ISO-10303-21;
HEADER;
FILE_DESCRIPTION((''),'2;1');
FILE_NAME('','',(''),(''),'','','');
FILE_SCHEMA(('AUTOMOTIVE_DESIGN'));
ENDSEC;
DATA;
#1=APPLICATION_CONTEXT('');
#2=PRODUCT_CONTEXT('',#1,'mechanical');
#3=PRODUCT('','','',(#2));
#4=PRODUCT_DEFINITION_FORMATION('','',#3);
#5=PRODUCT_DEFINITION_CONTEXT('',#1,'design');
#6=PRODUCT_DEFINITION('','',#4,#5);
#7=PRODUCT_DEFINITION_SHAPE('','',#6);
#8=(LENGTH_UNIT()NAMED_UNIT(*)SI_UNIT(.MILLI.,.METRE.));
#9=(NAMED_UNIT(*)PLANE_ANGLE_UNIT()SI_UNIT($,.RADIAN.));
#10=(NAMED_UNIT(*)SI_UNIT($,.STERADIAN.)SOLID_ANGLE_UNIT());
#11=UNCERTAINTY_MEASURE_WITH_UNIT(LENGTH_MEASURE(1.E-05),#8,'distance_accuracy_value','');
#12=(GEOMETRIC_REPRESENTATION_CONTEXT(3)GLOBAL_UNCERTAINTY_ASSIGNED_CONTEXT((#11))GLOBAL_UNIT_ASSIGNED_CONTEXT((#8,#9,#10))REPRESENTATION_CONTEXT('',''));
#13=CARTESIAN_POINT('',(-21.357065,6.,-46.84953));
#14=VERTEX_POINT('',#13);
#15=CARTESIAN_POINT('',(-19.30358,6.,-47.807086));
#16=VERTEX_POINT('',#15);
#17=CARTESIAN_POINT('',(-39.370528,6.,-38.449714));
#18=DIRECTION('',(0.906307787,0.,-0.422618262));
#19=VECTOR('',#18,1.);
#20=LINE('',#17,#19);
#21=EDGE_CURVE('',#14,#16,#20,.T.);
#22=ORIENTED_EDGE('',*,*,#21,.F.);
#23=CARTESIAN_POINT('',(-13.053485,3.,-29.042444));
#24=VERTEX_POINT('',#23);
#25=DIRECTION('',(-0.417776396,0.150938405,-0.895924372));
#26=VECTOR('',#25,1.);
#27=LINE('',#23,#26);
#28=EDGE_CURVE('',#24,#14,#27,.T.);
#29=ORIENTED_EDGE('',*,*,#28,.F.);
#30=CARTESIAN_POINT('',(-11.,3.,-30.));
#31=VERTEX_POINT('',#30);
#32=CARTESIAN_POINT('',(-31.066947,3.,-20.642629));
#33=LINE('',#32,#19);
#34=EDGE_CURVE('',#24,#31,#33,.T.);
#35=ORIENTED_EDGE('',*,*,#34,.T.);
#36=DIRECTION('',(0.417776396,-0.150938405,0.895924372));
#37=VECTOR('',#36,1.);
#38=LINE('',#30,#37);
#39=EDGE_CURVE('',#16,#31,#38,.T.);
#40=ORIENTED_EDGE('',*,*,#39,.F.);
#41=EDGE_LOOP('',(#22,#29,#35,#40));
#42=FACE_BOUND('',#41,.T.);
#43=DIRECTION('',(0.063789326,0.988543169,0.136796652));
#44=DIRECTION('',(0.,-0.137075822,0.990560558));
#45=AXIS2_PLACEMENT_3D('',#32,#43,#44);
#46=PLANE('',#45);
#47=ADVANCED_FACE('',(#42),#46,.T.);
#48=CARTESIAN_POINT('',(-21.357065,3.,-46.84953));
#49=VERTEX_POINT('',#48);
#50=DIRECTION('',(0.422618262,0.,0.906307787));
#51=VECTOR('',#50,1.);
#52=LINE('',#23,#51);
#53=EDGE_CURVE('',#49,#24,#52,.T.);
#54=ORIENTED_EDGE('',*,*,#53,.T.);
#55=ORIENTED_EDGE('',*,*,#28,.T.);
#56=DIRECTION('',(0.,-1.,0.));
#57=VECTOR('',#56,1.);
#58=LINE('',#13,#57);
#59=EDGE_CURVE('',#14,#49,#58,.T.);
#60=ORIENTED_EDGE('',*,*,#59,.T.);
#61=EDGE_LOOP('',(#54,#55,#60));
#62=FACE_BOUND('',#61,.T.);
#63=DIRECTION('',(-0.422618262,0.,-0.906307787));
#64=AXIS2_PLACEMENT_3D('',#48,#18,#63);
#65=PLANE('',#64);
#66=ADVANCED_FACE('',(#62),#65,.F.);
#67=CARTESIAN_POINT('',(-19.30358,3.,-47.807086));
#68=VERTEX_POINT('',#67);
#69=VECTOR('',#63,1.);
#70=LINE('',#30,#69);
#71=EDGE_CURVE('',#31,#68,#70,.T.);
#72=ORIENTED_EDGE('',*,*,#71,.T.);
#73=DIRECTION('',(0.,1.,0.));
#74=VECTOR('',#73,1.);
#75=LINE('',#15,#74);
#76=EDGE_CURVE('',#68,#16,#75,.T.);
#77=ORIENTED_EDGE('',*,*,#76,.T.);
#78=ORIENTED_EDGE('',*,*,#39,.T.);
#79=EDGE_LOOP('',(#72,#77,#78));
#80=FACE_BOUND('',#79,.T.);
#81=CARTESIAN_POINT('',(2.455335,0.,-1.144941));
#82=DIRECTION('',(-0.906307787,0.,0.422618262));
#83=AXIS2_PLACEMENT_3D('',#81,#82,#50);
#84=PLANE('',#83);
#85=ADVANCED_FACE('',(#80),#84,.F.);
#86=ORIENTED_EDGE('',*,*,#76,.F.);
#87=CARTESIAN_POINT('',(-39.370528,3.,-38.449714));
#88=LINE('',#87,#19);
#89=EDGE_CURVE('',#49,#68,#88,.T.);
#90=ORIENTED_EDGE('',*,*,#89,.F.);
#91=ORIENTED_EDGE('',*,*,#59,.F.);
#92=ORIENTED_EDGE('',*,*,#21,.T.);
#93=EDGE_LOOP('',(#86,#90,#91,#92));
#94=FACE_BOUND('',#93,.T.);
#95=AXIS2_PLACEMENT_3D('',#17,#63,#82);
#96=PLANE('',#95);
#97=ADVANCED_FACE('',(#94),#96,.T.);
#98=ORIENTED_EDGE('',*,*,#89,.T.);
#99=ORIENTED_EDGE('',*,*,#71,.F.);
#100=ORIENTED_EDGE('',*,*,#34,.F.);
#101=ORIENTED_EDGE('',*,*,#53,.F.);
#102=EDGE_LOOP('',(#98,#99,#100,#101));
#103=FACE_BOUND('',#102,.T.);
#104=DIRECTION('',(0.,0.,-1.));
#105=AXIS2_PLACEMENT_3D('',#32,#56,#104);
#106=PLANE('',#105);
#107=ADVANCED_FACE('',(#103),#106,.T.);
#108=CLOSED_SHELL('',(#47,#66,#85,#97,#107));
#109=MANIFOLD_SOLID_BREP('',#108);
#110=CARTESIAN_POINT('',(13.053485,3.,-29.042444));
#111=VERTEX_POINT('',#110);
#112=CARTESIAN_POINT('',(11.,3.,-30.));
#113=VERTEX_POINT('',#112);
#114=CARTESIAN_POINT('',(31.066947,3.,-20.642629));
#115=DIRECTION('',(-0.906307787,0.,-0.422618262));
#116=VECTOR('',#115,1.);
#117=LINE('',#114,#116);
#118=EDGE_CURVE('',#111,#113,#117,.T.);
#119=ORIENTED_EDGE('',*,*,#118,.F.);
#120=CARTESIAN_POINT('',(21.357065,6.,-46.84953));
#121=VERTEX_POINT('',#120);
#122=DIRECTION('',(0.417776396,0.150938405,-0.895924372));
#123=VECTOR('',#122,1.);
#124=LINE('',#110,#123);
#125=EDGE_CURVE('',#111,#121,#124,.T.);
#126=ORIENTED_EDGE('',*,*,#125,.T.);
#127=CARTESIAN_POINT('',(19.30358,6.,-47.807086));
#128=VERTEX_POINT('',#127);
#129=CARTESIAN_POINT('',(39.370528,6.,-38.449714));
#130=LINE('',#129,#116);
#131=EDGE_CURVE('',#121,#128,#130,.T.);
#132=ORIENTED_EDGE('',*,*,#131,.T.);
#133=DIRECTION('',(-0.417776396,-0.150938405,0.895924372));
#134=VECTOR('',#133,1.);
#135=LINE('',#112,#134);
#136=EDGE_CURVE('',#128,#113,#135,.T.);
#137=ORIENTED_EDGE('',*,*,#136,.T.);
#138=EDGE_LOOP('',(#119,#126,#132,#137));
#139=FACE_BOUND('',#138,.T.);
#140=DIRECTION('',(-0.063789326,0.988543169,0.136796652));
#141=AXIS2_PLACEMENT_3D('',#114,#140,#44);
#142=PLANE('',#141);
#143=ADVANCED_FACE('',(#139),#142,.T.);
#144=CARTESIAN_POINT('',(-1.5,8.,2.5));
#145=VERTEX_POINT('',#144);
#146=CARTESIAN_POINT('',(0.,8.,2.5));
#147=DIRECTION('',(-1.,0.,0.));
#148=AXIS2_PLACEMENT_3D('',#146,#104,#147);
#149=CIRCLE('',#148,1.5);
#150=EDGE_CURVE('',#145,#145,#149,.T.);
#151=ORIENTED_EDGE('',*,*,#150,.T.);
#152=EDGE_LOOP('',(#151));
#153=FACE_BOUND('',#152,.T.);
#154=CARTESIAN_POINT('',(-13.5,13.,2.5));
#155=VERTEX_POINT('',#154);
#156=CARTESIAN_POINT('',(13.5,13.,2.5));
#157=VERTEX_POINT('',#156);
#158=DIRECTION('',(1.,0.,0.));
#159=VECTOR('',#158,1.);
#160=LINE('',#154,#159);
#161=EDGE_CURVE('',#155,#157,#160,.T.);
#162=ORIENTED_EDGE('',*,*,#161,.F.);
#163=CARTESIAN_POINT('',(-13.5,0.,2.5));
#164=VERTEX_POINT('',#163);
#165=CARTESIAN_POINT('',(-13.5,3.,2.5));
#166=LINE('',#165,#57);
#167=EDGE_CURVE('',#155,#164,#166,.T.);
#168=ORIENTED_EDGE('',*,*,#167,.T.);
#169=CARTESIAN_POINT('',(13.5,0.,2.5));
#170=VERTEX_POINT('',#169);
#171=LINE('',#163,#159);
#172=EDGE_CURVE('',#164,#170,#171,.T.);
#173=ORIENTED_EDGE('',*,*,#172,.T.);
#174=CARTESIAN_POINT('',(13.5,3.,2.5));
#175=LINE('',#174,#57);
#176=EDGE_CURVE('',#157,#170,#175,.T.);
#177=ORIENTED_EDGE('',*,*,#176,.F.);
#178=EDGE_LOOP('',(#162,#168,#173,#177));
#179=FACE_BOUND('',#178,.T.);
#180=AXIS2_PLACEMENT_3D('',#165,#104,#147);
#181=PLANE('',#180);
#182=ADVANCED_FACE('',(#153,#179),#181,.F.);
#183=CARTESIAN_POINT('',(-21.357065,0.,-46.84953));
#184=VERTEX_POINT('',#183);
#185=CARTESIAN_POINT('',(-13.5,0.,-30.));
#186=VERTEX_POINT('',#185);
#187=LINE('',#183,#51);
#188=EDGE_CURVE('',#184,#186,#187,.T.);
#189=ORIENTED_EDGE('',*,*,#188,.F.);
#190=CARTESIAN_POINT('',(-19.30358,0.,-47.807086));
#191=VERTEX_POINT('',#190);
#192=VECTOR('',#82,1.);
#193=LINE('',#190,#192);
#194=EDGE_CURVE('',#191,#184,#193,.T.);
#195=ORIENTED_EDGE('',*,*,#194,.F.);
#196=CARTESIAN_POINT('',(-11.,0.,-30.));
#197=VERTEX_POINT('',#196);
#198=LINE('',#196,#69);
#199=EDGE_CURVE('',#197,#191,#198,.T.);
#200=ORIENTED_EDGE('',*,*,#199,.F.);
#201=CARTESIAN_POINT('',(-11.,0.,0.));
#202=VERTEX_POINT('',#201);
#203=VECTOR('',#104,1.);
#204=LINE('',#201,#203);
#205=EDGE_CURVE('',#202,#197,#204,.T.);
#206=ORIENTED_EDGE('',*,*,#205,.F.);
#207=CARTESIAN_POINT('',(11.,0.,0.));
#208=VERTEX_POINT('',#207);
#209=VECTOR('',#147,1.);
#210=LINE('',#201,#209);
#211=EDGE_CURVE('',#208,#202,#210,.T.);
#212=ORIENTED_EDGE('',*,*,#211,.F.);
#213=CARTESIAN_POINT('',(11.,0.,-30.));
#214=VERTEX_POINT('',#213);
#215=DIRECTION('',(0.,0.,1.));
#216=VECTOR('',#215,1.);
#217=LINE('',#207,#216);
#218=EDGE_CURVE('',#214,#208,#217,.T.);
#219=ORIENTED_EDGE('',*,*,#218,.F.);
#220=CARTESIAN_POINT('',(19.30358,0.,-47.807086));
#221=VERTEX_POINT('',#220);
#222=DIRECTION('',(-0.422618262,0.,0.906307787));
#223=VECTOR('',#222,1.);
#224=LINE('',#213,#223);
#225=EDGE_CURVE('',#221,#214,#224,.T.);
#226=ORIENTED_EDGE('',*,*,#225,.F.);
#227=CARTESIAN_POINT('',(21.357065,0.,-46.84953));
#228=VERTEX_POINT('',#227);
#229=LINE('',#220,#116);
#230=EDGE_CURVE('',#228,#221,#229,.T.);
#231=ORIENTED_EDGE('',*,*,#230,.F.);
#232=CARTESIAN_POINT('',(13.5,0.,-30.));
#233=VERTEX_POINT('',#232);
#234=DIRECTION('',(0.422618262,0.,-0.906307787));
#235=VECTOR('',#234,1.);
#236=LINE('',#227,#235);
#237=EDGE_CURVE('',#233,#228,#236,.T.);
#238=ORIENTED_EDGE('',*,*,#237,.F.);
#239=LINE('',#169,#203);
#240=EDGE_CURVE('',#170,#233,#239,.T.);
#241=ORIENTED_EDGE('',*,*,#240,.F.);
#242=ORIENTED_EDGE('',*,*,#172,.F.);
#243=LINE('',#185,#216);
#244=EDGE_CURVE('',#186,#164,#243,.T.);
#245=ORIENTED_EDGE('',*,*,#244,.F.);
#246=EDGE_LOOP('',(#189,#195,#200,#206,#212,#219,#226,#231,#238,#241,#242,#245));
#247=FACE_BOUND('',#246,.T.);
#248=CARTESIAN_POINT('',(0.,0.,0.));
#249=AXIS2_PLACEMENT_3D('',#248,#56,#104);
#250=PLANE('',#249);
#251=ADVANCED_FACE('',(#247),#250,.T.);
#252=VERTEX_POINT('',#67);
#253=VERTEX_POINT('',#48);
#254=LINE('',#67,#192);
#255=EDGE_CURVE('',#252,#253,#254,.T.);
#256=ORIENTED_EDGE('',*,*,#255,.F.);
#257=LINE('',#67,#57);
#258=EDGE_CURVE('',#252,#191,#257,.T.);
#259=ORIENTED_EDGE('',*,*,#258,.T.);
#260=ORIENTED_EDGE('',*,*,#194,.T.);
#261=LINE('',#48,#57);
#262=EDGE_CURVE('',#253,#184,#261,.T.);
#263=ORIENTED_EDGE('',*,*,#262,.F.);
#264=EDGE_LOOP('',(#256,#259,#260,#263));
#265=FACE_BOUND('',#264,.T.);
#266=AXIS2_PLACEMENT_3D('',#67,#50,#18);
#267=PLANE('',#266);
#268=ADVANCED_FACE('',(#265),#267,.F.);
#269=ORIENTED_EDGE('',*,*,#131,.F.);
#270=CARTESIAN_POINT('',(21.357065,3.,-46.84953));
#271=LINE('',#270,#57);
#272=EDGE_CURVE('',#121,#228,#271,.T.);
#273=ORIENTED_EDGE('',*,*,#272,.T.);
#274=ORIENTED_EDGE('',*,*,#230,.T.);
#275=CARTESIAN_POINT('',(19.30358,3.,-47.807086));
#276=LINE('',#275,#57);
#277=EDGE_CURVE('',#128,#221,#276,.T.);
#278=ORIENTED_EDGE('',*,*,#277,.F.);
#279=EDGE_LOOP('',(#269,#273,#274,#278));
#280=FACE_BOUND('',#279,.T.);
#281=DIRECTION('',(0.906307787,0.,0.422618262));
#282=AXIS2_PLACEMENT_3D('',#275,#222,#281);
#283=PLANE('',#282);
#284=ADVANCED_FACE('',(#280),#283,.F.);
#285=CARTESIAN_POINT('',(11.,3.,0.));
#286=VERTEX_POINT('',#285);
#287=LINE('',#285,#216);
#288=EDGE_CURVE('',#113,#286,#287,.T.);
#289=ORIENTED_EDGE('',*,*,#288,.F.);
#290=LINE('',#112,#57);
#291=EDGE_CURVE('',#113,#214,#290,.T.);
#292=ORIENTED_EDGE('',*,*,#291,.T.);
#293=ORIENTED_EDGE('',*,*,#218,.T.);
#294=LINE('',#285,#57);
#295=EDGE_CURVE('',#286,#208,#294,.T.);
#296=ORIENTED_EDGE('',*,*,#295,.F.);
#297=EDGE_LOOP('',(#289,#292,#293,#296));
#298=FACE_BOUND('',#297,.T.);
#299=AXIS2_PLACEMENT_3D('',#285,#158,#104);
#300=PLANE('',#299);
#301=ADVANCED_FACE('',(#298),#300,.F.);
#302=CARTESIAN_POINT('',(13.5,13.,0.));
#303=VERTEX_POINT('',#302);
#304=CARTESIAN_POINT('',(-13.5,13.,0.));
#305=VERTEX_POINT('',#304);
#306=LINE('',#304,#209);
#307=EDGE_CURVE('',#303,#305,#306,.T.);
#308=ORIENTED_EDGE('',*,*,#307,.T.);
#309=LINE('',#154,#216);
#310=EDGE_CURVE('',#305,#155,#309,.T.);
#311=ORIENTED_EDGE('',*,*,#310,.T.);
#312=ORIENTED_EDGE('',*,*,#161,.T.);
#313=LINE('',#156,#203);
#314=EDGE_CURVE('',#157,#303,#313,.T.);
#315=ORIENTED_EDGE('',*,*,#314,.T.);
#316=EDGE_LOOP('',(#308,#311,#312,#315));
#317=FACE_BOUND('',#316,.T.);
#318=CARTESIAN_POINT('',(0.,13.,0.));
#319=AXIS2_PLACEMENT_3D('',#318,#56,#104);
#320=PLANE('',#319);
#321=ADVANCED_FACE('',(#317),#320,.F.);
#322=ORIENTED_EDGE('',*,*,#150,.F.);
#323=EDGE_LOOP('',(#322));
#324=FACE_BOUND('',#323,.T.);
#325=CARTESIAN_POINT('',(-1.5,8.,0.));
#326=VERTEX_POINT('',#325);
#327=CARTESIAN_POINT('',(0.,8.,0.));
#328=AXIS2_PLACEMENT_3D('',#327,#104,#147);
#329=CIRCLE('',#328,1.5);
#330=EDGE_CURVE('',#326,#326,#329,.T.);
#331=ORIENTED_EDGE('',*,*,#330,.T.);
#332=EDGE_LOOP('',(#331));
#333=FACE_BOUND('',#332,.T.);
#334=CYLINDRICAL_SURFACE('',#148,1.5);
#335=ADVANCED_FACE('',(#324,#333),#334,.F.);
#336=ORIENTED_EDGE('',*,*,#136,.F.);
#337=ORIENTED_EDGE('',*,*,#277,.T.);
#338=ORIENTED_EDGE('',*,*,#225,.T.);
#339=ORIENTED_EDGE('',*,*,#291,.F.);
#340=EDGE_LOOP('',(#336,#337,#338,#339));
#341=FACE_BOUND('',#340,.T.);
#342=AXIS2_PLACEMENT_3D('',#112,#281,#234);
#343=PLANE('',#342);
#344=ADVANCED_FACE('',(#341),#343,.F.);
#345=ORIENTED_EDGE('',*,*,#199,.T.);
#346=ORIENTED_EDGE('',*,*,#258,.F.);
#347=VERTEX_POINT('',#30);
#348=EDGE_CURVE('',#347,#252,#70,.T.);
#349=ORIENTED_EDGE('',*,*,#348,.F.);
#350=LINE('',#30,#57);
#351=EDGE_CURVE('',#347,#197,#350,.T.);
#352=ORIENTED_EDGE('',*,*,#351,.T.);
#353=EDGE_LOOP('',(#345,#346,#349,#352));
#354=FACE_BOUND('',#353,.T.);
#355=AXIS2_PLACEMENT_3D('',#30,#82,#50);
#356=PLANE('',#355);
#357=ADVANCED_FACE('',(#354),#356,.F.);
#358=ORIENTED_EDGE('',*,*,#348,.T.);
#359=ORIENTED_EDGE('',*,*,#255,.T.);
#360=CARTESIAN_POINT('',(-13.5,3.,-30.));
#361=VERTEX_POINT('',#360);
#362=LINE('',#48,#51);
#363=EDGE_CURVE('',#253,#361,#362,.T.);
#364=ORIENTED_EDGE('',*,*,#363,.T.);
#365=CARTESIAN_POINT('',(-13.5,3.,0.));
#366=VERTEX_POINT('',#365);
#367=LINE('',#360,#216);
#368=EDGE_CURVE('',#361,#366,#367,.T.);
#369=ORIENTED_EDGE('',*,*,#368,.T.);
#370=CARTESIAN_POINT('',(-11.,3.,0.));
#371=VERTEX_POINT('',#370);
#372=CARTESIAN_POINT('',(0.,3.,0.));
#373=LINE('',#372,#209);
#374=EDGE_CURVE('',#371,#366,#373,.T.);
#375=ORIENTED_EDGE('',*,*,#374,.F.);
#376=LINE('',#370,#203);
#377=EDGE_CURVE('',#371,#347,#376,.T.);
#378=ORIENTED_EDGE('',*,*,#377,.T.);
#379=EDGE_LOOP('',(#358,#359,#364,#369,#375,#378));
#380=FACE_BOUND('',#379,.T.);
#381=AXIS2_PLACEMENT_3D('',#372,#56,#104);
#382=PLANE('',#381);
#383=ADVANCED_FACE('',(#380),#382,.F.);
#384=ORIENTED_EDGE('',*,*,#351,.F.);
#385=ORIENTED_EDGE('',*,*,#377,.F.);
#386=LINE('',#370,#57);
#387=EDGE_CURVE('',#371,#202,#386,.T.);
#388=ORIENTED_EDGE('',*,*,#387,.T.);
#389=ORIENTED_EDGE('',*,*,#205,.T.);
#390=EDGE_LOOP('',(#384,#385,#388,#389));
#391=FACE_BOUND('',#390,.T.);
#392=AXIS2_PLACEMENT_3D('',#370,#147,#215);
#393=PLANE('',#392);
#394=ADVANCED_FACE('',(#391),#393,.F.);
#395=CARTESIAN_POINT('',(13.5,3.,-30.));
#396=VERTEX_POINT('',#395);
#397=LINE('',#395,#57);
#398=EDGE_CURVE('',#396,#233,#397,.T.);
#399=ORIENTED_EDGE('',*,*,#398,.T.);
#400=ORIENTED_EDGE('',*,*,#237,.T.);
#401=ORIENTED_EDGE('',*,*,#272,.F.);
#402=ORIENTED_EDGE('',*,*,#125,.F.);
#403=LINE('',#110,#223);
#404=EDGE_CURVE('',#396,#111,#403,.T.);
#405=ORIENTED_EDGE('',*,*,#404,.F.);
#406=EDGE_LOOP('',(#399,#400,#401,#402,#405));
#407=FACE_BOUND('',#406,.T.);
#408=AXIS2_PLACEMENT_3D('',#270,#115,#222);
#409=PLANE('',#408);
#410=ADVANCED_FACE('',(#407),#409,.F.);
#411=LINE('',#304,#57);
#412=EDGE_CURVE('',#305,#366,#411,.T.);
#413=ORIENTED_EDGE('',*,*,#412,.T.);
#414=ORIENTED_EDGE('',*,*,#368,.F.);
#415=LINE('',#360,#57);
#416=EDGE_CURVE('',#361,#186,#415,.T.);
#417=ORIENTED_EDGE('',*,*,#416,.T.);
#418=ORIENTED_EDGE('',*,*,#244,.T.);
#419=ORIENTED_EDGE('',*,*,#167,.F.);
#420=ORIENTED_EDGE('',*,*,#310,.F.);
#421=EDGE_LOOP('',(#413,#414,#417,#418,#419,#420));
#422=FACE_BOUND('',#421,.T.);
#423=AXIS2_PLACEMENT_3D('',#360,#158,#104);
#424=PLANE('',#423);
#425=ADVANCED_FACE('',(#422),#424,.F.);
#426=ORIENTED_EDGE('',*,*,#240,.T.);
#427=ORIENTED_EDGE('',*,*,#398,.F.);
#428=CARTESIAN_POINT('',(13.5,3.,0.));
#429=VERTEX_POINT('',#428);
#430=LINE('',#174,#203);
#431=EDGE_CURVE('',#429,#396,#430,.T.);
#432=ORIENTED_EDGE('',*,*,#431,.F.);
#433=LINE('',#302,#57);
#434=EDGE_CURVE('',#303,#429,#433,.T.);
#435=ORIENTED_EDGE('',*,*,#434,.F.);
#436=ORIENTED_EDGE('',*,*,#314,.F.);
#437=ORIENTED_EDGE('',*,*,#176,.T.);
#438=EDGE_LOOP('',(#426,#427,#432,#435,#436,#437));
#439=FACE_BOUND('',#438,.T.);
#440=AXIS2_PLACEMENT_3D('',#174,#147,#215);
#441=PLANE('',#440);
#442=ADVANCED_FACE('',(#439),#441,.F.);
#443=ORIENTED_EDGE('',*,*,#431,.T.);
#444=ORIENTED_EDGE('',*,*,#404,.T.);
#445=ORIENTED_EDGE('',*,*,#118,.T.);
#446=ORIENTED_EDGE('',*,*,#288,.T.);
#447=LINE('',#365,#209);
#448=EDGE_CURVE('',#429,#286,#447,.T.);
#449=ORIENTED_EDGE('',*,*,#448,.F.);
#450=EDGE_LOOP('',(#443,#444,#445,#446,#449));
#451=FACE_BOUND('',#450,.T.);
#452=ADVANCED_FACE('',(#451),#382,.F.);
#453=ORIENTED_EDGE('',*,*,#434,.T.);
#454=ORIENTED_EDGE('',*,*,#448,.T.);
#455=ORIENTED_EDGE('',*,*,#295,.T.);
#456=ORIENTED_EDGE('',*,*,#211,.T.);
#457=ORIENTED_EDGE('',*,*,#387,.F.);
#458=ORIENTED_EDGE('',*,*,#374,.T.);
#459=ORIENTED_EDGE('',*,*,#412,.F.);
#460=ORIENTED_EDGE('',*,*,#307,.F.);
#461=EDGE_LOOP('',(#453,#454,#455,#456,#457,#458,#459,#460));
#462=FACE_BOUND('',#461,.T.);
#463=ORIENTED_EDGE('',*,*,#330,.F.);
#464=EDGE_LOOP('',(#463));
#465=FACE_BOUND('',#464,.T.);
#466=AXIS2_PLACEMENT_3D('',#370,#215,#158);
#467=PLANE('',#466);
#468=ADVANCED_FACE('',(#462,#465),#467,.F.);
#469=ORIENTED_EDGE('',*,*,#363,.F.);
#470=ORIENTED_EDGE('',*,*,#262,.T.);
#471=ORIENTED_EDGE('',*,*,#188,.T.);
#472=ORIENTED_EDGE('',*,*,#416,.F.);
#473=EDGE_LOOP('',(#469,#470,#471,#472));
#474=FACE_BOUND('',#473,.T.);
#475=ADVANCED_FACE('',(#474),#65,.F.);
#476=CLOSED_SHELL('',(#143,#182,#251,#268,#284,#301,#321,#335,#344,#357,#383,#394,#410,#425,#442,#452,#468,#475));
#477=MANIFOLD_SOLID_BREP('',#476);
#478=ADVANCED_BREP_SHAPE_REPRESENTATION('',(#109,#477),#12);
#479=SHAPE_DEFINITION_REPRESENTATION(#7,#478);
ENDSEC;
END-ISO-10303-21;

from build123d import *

# Parameters (mm, degrees)
BOSS_EXTRUDE1_DEPTH = 3
BOSS_EXTRUDE2_DEPTH = 2.265769468
SKETCH3_W           = 27
SKETCH3_H           = 2.5
BOSS_EXTRUDE3_DEPTH = 10
SKETCH4_R           = 1.5
CUT_EXTRUDE1_DEPTH  = 54.950363002


with BuildPart() as part:
    # Sketch1 → Boss-Extrude1 (new body)
    with BuildSketch(Plane(origin=(0, 0, 0), x_dir=(1, 0, 0), z_dir=(0, 1, 0))):
        Polygon((-13.5, -2.5), (13.5, -2.5), (13.5, 30), (21.357064951, 46.849530162), (19.303580439, 47.807085716), (11, 30), (11, 0), (-11, 0), (-11, 30), (-19.303580439, 47.807085716), (-21.357064951, 46.849530162), (-13.5, 30), align=None)
    extrude(amount=BOSS_EXTRUDE1_DEPTH)


with BuildPart() as body_2:
    # Sketch2 → Boss-Extrude2 (new body)
    with BuildSketch(Plane(origin=(2.455334794, 0, -1.144941418), x_dir=(-0.42261826174070094, 0, -0.9063077870366493), z_dir=(0.9063077870366493, 0, -0.42261826174070094))):
        Polygon((31.83803449, 3), (51.48597967, 6), (51.48597967, 3), align=None)
    boss_extrude2 = extrude(amount=-BOSS_EXTRUDE2_DEPTH)


with BuildPart() as part_1:
    add(part.part)

    # Mirror4: Boss-Extrude2 across plane
    add(boss_extrude2.mirror(Plane(origin=(0, 0, 0), x_dir=(0, 0, 1), z_dir=(1, 0, 0))))

    # Sketch3 → Boss-Extrude3 (add)
    with BuildSketch(Plane(origin=(0, 3, 0), x_dir=(1, 0, 0), z_dir=(0, 1, 0))):
        with Locations((0, -1.25)):
            Rectangle(SKETCH3_W, SKETCH3_H)
    extrude(amount=BOSS_EXTRUDE3_DEPTH)

    # Sketch4 → Cut-Extrude1 (cut, through all)
    with BuildSketch(Plane(origin=(0, 0, 0), x_dir=(-1, 0, 0), z_dir=(0, 0, -1))):
        with Locations((0, 8)):
            Circle(SKETCH4_R)
    extrude(amount=-CUT_EXTRUDE1_DEPTH, mode=Mode.SUBTRACT)


solid = Compound([body_2.part, part_1.part])
